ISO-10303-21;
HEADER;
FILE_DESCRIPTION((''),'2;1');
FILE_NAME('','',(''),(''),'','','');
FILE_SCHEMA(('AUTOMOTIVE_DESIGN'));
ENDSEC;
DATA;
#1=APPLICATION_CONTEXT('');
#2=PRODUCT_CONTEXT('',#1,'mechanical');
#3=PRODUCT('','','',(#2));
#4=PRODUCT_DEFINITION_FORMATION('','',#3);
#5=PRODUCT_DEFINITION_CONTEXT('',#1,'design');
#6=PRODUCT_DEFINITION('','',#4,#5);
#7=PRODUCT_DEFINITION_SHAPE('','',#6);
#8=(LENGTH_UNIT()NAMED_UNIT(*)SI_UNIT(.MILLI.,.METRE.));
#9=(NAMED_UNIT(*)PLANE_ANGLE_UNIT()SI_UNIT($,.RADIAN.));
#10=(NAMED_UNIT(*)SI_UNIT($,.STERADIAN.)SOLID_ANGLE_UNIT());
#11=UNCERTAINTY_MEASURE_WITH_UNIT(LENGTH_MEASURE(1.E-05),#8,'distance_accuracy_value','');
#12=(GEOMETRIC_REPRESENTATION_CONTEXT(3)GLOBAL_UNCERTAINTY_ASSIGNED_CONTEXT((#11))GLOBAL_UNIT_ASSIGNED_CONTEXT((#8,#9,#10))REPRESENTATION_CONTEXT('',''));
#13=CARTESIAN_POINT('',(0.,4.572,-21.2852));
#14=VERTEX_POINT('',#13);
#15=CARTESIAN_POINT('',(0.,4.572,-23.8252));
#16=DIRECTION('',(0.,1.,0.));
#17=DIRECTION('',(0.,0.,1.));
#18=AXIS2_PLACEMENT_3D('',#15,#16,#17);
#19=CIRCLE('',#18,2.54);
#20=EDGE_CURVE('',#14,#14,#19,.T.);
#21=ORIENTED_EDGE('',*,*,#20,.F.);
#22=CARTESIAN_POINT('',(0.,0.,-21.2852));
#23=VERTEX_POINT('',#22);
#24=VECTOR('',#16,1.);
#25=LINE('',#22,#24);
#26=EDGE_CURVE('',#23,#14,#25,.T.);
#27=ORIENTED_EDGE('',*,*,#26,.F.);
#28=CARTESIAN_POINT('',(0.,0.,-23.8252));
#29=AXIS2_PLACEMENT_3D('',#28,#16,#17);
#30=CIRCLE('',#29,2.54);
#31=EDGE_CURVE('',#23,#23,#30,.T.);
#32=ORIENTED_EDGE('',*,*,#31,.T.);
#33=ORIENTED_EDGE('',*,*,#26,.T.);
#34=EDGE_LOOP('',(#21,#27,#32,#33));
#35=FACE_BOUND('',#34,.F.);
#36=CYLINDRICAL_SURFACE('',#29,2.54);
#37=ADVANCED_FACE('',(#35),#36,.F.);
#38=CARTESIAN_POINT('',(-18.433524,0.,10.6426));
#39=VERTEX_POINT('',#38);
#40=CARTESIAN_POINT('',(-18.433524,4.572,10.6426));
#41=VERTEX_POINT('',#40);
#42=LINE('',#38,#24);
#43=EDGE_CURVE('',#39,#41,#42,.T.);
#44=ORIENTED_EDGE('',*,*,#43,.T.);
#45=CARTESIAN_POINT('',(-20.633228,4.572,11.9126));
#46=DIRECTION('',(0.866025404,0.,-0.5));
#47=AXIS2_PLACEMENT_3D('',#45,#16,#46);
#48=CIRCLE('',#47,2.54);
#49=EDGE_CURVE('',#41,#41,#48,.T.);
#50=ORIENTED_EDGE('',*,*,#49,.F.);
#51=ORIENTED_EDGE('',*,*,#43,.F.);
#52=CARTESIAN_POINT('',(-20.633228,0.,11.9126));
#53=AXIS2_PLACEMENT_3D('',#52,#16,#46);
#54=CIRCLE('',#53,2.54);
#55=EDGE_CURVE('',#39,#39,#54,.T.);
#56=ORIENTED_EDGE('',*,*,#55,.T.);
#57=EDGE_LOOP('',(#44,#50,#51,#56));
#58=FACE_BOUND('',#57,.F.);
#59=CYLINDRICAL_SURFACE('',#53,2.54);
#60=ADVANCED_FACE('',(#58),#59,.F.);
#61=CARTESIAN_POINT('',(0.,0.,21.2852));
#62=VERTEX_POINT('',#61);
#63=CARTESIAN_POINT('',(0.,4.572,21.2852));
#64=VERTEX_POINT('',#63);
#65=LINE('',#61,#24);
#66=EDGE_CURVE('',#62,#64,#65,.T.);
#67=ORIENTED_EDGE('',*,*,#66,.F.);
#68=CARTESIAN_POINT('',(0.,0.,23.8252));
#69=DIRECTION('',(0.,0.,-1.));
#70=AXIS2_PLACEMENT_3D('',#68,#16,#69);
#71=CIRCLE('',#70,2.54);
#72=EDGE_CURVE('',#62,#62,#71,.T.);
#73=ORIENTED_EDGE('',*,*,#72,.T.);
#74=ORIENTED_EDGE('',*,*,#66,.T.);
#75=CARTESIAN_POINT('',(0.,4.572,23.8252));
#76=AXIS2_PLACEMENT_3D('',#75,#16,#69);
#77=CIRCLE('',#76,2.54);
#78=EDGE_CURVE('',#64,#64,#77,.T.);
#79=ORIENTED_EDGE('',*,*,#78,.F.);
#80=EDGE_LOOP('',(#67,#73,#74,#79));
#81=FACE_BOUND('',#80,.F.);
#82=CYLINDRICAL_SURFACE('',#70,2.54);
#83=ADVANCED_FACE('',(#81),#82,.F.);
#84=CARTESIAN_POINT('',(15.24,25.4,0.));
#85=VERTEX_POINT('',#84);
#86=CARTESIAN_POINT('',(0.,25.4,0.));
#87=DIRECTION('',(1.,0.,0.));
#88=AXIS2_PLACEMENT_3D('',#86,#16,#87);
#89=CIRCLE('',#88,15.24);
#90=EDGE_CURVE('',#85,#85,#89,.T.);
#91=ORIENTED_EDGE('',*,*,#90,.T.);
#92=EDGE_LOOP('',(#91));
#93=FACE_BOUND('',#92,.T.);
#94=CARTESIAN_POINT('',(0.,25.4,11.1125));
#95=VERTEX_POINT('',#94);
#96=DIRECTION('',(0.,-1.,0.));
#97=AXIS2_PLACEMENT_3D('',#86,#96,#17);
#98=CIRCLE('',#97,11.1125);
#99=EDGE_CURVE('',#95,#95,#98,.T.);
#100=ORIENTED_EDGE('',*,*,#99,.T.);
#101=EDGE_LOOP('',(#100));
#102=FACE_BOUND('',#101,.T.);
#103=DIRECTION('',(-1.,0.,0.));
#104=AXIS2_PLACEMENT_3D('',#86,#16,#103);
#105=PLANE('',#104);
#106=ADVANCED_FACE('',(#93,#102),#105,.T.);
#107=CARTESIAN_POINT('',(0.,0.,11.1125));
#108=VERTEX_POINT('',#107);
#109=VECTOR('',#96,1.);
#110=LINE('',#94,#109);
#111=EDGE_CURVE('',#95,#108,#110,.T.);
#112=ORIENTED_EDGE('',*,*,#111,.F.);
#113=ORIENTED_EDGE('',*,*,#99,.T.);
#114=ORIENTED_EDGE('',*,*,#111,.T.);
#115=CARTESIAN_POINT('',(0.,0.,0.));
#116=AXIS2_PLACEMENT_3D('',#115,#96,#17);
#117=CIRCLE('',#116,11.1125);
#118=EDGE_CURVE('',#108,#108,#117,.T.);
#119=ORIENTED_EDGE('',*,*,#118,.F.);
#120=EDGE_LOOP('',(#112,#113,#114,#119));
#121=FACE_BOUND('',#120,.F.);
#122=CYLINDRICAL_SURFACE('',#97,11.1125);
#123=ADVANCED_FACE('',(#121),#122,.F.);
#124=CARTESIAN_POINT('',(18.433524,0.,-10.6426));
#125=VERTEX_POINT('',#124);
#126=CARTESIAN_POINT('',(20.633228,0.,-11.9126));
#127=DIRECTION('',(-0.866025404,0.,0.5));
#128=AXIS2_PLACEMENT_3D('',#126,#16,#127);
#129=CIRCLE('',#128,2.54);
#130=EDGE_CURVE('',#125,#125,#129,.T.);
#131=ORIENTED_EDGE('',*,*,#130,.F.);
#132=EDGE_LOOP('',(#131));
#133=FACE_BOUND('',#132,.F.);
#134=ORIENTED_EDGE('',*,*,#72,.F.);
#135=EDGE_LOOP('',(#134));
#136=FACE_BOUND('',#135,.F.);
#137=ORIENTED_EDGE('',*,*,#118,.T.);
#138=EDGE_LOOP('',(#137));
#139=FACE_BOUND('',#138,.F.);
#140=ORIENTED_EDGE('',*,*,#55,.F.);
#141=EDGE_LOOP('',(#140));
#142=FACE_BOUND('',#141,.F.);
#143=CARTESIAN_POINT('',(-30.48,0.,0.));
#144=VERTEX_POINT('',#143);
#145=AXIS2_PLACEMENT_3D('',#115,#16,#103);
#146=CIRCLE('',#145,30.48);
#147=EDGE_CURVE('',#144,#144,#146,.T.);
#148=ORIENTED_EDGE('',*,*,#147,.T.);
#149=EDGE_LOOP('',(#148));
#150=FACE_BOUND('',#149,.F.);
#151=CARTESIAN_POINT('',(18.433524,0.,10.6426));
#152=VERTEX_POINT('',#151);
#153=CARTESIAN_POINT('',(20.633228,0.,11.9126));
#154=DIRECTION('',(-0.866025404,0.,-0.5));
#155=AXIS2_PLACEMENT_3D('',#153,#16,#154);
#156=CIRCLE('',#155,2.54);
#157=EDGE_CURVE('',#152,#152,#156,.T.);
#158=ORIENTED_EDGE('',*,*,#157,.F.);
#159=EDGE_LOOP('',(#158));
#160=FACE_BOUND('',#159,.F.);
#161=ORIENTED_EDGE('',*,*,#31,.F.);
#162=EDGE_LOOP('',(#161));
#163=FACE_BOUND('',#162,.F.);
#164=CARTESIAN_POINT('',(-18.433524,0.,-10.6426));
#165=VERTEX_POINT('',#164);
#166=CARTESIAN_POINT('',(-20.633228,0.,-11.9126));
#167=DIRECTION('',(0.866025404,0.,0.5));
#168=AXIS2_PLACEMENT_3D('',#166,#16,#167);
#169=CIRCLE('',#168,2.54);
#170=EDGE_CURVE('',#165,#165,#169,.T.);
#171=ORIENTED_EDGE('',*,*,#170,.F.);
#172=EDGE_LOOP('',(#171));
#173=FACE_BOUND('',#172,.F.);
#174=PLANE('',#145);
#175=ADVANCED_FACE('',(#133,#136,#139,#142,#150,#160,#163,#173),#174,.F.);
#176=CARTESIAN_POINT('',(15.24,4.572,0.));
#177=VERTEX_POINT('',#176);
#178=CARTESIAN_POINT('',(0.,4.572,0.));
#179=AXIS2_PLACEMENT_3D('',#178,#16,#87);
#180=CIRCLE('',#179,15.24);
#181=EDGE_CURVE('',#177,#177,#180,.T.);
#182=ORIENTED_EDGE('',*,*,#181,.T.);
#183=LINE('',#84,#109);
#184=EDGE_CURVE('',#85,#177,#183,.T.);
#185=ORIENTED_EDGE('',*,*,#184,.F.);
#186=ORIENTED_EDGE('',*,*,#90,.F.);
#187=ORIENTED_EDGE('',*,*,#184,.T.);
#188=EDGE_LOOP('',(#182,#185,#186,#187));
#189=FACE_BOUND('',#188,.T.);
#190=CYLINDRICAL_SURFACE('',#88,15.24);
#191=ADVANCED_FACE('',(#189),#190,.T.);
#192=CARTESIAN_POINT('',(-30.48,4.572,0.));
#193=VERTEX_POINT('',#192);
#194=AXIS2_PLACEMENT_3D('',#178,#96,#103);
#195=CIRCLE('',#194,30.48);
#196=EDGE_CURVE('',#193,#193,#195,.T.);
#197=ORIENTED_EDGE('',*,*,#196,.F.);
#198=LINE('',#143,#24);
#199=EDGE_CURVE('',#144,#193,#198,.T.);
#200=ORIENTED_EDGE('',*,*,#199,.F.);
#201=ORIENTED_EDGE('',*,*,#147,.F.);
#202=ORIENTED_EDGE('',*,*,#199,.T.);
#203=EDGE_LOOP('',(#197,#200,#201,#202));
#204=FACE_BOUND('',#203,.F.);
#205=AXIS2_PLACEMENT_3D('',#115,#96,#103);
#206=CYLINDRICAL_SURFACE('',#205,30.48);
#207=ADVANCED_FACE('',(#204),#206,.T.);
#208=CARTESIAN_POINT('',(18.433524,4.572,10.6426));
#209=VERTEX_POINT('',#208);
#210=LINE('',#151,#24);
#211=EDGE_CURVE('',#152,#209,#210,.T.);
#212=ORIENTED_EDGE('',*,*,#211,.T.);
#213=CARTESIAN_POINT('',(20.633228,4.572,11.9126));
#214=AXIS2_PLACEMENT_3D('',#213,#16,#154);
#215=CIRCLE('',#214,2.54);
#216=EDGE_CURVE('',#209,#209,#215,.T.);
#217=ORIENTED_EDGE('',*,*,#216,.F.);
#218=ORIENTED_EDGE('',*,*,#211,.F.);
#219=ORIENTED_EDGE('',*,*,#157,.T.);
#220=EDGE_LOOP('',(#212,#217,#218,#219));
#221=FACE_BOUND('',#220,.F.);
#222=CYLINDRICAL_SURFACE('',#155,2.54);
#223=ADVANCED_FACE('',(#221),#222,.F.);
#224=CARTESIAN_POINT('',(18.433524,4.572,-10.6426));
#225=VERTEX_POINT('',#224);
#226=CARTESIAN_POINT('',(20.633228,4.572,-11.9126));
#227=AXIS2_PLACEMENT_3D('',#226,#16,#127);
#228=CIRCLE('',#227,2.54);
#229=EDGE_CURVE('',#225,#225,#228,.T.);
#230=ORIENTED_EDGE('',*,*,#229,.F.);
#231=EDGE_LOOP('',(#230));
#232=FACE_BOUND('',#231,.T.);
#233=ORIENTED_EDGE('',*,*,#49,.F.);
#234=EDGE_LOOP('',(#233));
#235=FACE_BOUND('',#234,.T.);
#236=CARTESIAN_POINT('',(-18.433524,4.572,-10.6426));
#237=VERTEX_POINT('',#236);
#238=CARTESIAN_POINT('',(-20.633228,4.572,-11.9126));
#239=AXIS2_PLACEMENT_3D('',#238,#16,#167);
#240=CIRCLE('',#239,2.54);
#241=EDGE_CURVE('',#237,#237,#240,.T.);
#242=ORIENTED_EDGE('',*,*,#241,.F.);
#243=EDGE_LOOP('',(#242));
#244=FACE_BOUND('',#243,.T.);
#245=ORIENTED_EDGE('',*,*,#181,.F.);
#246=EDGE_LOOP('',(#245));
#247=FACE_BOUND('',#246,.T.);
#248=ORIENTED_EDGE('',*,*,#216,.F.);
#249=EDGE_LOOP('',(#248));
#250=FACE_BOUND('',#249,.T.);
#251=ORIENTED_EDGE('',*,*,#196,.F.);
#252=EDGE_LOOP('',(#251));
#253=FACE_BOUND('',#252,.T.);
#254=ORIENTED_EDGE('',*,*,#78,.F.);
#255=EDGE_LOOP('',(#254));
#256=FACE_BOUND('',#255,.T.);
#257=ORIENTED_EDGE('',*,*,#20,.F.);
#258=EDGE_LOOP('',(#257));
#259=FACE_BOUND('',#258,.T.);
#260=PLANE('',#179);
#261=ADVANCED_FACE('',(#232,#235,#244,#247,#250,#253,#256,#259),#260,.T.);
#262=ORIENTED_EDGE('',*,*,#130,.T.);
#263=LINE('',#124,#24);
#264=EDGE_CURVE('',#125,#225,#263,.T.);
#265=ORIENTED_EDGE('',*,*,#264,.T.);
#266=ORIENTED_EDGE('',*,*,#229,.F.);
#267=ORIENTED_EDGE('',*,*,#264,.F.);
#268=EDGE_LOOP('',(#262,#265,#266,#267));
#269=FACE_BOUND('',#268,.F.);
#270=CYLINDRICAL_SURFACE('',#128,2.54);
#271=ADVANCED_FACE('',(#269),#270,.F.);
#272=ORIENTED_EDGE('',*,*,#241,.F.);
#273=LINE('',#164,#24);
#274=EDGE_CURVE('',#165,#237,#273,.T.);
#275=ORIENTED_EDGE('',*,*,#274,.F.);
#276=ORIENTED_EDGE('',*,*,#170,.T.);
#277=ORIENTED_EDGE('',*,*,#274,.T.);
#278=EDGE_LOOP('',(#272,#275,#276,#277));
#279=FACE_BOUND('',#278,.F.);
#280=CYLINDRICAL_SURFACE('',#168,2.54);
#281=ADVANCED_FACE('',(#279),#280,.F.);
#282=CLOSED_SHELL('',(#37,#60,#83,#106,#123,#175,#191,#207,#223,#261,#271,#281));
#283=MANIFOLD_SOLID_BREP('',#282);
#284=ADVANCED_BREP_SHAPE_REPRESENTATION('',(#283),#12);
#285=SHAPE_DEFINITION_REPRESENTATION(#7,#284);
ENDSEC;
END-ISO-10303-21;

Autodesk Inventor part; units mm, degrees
sketch "Sketch1" plane through (0, 0, 0) normal (0, 1, 0) x (-1, 0, 0)
  circle A0 centre (0, 0) radius 30.48
  dimension "d0" = 60.96
extrude "Extrusion1" add sketch "Sketch1" along normal blind 25.4
sketch "Sketch2" plane through (0, 25.4, 0) normal (0, 1, 0) x (1, 0, 0)
  circle A0 centre (0, 0) radius 30.48 projected
  circle A1 centre (0, 0) radius 15.24
  dimension "d3" = 30.48
extrude "Extrusion2" cut sketch "Sketch2" against normal blind 20.828
hole "Hole1" at (0, 25.4, 0) direction (0, -1, 0) diameter 22.225 end through all
ref_plane "Work Plane1" through (0, 0, 23.8252) normal (0, 0, 1) x (1, 0, 0)
hole "Hole2" at (0, 0, 23.8252) direction (0, 1, 0) diameter 5.08 end through all
pattern_circular "Circular Pattern1" count 6 over 360 about axis through (0, 25.4, 0) along (0, -1, 0) of "Hole2"
properties part number ".875 Bearing Hub"
